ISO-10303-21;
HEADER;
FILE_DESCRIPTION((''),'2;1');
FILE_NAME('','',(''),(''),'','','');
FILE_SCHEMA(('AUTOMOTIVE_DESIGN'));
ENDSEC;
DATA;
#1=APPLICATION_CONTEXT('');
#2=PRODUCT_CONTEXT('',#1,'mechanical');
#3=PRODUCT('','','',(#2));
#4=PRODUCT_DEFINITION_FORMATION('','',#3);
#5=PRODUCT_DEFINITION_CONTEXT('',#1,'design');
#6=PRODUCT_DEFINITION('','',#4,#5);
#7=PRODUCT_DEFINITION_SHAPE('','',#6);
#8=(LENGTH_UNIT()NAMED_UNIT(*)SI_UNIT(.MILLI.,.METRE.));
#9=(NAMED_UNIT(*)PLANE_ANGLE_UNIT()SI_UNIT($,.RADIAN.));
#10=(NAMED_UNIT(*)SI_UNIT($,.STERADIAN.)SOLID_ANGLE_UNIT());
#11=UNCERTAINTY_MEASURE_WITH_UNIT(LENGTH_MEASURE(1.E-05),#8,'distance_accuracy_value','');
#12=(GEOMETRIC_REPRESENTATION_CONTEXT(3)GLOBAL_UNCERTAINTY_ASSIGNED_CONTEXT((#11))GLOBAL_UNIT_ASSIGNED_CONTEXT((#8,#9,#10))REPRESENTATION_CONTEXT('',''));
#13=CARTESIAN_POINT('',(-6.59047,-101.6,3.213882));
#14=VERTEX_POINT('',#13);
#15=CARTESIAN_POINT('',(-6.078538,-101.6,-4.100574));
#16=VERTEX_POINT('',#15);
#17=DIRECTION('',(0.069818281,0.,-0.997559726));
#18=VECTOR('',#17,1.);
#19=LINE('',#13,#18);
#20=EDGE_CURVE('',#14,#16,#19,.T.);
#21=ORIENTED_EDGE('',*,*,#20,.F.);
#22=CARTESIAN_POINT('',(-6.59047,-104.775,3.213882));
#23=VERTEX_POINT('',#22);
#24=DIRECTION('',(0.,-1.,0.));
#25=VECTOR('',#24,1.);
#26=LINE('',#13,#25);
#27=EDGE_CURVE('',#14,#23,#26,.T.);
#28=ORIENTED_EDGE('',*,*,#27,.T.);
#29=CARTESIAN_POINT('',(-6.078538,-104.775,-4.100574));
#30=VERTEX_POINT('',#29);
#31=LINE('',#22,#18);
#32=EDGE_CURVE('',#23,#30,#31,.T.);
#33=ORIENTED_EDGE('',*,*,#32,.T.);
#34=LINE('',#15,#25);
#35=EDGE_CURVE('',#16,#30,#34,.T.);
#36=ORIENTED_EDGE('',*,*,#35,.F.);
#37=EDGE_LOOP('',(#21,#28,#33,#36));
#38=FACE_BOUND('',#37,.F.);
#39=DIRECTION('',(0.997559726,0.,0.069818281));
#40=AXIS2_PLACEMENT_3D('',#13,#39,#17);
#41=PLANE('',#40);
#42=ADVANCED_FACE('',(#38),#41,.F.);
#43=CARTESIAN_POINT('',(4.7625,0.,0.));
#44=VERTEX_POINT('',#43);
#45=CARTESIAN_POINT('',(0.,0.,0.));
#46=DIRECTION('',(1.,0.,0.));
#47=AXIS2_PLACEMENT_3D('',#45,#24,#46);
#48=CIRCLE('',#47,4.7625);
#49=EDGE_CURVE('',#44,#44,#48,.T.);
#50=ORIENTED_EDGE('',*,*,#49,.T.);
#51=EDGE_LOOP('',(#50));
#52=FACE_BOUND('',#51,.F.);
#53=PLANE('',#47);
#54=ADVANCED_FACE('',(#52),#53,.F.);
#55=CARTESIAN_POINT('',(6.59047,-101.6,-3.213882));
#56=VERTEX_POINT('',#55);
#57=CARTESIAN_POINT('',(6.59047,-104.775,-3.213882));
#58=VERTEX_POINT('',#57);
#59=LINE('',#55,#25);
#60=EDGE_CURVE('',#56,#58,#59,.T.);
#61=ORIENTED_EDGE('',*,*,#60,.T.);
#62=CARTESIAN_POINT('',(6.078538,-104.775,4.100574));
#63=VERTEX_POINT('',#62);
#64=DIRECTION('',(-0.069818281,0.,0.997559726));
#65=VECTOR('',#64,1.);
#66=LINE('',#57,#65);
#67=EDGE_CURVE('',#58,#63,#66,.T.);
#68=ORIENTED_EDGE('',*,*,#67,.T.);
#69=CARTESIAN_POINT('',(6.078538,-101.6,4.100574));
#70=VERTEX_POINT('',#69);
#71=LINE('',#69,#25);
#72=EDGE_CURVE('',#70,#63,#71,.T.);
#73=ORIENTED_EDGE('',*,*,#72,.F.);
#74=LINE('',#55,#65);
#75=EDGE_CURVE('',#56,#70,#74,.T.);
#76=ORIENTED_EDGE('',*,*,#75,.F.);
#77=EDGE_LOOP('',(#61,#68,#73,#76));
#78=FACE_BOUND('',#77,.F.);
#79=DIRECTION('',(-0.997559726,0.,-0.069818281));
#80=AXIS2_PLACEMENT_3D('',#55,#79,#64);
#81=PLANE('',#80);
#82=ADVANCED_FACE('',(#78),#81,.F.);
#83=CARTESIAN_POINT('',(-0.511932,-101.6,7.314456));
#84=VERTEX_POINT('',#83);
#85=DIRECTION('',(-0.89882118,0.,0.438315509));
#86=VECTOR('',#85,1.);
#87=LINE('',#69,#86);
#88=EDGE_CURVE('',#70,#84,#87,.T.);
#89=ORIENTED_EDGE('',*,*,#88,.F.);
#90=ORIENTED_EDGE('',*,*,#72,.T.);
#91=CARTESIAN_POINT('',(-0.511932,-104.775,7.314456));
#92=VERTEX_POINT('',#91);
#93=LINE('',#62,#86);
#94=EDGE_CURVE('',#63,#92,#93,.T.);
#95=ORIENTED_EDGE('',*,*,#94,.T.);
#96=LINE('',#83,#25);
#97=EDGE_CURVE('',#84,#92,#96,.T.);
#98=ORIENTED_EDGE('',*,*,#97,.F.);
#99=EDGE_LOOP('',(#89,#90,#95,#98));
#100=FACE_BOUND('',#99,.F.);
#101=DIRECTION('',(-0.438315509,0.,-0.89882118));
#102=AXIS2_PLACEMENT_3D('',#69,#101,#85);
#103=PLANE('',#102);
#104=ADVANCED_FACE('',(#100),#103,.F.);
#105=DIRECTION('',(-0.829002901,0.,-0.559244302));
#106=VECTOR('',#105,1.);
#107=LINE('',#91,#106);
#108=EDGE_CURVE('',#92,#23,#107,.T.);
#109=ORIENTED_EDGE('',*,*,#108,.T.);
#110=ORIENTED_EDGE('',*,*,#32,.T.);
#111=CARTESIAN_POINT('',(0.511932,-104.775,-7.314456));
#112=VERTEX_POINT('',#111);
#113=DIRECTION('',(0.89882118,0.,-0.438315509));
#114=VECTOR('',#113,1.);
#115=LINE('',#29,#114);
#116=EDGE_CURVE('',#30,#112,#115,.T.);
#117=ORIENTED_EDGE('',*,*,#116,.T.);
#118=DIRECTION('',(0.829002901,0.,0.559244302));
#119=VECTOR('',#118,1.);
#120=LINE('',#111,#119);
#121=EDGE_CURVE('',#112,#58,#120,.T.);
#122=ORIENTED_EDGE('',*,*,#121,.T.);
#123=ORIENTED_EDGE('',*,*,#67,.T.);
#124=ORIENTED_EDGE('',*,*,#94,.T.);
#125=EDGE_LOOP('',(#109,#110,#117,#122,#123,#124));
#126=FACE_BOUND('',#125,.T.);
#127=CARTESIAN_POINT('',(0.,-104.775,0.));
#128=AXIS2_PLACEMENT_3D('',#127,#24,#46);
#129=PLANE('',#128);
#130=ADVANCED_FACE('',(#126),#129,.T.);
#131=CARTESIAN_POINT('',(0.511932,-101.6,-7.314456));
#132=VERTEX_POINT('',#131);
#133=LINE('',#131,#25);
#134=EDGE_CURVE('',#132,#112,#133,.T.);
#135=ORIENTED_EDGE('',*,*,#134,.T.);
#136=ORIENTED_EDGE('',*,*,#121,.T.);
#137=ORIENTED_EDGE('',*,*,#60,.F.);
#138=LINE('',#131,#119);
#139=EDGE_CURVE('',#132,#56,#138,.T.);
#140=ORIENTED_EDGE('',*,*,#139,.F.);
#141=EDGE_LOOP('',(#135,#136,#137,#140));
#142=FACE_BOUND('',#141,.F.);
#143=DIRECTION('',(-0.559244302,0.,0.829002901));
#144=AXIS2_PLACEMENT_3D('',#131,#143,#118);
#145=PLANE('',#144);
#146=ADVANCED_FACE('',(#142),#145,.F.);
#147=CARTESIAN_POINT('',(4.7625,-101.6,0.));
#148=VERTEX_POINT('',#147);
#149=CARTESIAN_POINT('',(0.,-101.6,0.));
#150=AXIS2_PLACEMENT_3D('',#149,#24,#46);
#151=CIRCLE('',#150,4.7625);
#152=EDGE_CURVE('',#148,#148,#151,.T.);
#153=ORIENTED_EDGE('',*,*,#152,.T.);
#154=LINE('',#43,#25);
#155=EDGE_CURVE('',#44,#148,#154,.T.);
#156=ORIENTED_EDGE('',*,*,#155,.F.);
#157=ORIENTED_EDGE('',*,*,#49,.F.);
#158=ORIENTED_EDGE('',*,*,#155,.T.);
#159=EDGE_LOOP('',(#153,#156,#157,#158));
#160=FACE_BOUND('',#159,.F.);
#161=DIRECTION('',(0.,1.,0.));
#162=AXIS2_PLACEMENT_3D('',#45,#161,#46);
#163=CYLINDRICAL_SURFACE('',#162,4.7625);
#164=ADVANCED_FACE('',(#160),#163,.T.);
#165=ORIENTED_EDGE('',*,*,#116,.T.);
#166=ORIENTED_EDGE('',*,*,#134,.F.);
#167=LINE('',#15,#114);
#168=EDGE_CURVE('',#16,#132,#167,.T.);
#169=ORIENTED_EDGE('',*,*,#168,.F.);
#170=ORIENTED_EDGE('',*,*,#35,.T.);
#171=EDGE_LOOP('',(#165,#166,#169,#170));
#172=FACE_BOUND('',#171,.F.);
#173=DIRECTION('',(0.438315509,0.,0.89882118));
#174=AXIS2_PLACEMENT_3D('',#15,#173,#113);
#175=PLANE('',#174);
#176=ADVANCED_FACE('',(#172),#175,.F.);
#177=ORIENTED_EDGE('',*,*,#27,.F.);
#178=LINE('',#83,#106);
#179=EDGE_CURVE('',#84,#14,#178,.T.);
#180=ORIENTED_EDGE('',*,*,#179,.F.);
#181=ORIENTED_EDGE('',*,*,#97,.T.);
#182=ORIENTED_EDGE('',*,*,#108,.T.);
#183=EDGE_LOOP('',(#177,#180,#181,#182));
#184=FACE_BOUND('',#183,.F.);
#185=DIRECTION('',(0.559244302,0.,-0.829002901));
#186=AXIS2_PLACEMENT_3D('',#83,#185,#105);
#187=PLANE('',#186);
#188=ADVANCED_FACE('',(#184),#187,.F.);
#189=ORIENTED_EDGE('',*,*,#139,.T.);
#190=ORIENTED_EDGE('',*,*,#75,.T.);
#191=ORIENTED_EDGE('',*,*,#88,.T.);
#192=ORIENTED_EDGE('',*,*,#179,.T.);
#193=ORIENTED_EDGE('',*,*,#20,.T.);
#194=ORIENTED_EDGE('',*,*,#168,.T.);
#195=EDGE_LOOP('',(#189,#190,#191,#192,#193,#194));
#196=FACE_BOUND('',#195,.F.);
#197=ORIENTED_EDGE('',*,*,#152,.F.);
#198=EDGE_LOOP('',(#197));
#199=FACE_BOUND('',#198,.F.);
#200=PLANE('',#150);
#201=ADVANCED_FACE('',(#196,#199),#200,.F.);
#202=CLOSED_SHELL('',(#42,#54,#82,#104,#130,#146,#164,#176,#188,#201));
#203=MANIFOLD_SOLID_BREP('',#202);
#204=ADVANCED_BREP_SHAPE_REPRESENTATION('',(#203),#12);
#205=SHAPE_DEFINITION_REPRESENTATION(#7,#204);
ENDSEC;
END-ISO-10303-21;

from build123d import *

# Parameters (mm, degrees)
F0_R     = 4.7625
F1_DEPTH = 101.6
F3_DEPTH = 3.175


with BuildPart() as f1:
    # F0 (on Front) → F1 (new body)
    with BuildSketch(Plane.XZ):
        Circle(F0_R)
    extrude(amount=F1_DEPTH)

    # F2 (on face) → F3 (join)
    with BuildSketch(Plane.XZ.offset(101.6)):
        Polygon((0.511932, -7.314456), (6.59047, -3.213882), (6.078538, 4.100574), (-0.511932, 7.314456), (-6.59047, 3.213882), (-6.078538, -4.100574), align=None)
    extrude(amount=F3_DEPTH)


solid = f1.part
